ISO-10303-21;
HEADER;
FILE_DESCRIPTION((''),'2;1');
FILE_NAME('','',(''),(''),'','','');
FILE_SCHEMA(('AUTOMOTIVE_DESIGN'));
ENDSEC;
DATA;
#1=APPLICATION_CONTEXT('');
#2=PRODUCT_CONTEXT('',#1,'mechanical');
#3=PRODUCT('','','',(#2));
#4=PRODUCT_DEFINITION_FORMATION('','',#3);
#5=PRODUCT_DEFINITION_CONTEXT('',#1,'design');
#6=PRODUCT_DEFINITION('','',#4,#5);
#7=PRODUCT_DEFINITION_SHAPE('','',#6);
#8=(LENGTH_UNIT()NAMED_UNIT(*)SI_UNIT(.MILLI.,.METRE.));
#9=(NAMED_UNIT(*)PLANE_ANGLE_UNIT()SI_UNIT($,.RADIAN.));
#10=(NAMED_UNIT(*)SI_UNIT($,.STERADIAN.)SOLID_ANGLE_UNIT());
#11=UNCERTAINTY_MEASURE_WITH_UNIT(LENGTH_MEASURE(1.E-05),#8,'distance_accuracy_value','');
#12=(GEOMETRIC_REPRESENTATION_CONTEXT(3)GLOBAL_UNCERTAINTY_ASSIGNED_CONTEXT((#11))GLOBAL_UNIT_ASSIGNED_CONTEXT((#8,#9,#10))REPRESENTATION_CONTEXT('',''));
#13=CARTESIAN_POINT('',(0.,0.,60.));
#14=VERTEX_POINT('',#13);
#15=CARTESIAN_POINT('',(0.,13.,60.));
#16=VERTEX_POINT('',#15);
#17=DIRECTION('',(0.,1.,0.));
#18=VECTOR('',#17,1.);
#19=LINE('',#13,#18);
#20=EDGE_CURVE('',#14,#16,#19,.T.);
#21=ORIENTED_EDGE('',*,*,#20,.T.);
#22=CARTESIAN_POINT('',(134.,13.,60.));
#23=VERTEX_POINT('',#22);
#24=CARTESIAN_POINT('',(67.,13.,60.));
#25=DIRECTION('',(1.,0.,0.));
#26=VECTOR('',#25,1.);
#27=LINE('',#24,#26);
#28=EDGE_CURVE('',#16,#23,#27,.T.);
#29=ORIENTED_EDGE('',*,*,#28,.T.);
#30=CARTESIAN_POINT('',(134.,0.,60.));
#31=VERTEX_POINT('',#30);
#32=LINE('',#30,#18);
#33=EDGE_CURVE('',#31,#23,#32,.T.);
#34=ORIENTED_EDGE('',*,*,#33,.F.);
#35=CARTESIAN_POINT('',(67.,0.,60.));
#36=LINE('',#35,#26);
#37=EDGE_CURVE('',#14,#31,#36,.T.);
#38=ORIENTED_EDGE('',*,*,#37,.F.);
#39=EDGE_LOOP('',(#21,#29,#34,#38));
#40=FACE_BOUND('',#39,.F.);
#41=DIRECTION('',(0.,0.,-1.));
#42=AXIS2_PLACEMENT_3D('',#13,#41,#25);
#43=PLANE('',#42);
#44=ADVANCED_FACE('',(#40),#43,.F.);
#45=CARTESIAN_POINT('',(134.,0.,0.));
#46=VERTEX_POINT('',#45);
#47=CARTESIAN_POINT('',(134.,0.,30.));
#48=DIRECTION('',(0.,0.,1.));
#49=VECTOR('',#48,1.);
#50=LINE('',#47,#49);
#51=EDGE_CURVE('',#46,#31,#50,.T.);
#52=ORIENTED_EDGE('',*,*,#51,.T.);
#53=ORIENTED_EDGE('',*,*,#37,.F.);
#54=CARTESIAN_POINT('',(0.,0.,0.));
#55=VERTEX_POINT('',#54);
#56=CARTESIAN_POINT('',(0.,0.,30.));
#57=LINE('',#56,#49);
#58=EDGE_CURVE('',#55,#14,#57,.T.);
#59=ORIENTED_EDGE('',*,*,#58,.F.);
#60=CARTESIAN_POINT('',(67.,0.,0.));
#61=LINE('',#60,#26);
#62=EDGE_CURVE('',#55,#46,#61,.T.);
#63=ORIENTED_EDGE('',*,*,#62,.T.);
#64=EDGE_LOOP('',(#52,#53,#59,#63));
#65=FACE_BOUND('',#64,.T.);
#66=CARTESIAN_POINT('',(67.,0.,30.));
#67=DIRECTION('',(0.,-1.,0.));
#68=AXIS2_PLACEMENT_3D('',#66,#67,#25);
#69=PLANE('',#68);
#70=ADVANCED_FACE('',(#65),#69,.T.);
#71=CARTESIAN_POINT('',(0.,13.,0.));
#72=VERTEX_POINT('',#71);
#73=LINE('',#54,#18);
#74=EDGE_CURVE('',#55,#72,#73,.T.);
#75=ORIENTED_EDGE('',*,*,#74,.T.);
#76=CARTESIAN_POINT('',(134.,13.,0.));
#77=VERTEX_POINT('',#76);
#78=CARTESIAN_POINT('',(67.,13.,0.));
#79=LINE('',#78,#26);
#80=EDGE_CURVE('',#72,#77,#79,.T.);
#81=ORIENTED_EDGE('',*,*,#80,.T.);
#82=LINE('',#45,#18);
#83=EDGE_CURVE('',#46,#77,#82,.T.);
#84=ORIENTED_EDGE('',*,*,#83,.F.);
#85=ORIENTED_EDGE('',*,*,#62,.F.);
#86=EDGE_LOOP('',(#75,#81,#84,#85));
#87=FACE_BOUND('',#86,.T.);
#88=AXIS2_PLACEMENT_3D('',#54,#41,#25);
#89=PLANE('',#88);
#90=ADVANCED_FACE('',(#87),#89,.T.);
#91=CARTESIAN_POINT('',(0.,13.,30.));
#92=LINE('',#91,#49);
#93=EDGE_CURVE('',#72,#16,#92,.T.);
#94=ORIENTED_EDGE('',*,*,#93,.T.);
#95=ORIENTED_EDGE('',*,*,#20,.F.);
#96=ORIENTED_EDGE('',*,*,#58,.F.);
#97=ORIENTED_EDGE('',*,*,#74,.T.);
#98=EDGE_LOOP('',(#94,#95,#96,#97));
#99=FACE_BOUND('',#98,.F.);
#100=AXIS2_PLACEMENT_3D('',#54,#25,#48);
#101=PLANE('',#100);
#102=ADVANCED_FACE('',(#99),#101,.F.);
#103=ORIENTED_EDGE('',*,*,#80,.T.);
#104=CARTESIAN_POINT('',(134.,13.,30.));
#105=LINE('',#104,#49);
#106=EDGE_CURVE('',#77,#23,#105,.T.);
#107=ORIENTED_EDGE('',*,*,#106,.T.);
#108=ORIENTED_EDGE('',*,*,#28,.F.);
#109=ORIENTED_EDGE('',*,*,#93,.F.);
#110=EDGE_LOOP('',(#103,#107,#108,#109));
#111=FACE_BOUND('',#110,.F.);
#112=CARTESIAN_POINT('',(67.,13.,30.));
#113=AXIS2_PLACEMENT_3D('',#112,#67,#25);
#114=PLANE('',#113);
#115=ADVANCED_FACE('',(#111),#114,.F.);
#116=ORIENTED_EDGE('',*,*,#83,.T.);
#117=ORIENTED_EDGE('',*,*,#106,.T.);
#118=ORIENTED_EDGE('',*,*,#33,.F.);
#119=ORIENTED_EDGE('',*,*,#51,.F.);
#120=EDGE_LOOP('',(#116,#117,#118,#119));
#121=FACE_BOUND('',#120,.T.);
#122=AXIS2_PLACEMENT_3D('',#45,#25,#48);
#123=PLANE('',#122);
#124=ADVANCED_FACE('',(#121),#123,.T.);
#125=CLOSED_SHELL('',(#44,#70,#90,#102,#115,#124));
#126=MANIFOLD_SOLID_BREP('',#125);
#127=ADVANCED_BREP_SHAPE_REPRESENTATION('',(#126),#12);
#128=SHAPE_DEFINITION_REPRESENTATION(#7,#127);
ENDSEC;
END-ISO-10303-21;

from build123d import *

# Parameters (mm, degrees)
SKETCH_W  = 134
SKETCH_H  = 60
PAD_DEPTH = 13


with BuildPart() as part:
    # Sketch → Pad (new body)
    with BuildSketch(Plane.XZ):
        with Locations((67, 30)):
            Rectangle(SKETCH_W, SKETCH_H)
    extrude(amount=-PAD_DEPTH)


solid = part.part
